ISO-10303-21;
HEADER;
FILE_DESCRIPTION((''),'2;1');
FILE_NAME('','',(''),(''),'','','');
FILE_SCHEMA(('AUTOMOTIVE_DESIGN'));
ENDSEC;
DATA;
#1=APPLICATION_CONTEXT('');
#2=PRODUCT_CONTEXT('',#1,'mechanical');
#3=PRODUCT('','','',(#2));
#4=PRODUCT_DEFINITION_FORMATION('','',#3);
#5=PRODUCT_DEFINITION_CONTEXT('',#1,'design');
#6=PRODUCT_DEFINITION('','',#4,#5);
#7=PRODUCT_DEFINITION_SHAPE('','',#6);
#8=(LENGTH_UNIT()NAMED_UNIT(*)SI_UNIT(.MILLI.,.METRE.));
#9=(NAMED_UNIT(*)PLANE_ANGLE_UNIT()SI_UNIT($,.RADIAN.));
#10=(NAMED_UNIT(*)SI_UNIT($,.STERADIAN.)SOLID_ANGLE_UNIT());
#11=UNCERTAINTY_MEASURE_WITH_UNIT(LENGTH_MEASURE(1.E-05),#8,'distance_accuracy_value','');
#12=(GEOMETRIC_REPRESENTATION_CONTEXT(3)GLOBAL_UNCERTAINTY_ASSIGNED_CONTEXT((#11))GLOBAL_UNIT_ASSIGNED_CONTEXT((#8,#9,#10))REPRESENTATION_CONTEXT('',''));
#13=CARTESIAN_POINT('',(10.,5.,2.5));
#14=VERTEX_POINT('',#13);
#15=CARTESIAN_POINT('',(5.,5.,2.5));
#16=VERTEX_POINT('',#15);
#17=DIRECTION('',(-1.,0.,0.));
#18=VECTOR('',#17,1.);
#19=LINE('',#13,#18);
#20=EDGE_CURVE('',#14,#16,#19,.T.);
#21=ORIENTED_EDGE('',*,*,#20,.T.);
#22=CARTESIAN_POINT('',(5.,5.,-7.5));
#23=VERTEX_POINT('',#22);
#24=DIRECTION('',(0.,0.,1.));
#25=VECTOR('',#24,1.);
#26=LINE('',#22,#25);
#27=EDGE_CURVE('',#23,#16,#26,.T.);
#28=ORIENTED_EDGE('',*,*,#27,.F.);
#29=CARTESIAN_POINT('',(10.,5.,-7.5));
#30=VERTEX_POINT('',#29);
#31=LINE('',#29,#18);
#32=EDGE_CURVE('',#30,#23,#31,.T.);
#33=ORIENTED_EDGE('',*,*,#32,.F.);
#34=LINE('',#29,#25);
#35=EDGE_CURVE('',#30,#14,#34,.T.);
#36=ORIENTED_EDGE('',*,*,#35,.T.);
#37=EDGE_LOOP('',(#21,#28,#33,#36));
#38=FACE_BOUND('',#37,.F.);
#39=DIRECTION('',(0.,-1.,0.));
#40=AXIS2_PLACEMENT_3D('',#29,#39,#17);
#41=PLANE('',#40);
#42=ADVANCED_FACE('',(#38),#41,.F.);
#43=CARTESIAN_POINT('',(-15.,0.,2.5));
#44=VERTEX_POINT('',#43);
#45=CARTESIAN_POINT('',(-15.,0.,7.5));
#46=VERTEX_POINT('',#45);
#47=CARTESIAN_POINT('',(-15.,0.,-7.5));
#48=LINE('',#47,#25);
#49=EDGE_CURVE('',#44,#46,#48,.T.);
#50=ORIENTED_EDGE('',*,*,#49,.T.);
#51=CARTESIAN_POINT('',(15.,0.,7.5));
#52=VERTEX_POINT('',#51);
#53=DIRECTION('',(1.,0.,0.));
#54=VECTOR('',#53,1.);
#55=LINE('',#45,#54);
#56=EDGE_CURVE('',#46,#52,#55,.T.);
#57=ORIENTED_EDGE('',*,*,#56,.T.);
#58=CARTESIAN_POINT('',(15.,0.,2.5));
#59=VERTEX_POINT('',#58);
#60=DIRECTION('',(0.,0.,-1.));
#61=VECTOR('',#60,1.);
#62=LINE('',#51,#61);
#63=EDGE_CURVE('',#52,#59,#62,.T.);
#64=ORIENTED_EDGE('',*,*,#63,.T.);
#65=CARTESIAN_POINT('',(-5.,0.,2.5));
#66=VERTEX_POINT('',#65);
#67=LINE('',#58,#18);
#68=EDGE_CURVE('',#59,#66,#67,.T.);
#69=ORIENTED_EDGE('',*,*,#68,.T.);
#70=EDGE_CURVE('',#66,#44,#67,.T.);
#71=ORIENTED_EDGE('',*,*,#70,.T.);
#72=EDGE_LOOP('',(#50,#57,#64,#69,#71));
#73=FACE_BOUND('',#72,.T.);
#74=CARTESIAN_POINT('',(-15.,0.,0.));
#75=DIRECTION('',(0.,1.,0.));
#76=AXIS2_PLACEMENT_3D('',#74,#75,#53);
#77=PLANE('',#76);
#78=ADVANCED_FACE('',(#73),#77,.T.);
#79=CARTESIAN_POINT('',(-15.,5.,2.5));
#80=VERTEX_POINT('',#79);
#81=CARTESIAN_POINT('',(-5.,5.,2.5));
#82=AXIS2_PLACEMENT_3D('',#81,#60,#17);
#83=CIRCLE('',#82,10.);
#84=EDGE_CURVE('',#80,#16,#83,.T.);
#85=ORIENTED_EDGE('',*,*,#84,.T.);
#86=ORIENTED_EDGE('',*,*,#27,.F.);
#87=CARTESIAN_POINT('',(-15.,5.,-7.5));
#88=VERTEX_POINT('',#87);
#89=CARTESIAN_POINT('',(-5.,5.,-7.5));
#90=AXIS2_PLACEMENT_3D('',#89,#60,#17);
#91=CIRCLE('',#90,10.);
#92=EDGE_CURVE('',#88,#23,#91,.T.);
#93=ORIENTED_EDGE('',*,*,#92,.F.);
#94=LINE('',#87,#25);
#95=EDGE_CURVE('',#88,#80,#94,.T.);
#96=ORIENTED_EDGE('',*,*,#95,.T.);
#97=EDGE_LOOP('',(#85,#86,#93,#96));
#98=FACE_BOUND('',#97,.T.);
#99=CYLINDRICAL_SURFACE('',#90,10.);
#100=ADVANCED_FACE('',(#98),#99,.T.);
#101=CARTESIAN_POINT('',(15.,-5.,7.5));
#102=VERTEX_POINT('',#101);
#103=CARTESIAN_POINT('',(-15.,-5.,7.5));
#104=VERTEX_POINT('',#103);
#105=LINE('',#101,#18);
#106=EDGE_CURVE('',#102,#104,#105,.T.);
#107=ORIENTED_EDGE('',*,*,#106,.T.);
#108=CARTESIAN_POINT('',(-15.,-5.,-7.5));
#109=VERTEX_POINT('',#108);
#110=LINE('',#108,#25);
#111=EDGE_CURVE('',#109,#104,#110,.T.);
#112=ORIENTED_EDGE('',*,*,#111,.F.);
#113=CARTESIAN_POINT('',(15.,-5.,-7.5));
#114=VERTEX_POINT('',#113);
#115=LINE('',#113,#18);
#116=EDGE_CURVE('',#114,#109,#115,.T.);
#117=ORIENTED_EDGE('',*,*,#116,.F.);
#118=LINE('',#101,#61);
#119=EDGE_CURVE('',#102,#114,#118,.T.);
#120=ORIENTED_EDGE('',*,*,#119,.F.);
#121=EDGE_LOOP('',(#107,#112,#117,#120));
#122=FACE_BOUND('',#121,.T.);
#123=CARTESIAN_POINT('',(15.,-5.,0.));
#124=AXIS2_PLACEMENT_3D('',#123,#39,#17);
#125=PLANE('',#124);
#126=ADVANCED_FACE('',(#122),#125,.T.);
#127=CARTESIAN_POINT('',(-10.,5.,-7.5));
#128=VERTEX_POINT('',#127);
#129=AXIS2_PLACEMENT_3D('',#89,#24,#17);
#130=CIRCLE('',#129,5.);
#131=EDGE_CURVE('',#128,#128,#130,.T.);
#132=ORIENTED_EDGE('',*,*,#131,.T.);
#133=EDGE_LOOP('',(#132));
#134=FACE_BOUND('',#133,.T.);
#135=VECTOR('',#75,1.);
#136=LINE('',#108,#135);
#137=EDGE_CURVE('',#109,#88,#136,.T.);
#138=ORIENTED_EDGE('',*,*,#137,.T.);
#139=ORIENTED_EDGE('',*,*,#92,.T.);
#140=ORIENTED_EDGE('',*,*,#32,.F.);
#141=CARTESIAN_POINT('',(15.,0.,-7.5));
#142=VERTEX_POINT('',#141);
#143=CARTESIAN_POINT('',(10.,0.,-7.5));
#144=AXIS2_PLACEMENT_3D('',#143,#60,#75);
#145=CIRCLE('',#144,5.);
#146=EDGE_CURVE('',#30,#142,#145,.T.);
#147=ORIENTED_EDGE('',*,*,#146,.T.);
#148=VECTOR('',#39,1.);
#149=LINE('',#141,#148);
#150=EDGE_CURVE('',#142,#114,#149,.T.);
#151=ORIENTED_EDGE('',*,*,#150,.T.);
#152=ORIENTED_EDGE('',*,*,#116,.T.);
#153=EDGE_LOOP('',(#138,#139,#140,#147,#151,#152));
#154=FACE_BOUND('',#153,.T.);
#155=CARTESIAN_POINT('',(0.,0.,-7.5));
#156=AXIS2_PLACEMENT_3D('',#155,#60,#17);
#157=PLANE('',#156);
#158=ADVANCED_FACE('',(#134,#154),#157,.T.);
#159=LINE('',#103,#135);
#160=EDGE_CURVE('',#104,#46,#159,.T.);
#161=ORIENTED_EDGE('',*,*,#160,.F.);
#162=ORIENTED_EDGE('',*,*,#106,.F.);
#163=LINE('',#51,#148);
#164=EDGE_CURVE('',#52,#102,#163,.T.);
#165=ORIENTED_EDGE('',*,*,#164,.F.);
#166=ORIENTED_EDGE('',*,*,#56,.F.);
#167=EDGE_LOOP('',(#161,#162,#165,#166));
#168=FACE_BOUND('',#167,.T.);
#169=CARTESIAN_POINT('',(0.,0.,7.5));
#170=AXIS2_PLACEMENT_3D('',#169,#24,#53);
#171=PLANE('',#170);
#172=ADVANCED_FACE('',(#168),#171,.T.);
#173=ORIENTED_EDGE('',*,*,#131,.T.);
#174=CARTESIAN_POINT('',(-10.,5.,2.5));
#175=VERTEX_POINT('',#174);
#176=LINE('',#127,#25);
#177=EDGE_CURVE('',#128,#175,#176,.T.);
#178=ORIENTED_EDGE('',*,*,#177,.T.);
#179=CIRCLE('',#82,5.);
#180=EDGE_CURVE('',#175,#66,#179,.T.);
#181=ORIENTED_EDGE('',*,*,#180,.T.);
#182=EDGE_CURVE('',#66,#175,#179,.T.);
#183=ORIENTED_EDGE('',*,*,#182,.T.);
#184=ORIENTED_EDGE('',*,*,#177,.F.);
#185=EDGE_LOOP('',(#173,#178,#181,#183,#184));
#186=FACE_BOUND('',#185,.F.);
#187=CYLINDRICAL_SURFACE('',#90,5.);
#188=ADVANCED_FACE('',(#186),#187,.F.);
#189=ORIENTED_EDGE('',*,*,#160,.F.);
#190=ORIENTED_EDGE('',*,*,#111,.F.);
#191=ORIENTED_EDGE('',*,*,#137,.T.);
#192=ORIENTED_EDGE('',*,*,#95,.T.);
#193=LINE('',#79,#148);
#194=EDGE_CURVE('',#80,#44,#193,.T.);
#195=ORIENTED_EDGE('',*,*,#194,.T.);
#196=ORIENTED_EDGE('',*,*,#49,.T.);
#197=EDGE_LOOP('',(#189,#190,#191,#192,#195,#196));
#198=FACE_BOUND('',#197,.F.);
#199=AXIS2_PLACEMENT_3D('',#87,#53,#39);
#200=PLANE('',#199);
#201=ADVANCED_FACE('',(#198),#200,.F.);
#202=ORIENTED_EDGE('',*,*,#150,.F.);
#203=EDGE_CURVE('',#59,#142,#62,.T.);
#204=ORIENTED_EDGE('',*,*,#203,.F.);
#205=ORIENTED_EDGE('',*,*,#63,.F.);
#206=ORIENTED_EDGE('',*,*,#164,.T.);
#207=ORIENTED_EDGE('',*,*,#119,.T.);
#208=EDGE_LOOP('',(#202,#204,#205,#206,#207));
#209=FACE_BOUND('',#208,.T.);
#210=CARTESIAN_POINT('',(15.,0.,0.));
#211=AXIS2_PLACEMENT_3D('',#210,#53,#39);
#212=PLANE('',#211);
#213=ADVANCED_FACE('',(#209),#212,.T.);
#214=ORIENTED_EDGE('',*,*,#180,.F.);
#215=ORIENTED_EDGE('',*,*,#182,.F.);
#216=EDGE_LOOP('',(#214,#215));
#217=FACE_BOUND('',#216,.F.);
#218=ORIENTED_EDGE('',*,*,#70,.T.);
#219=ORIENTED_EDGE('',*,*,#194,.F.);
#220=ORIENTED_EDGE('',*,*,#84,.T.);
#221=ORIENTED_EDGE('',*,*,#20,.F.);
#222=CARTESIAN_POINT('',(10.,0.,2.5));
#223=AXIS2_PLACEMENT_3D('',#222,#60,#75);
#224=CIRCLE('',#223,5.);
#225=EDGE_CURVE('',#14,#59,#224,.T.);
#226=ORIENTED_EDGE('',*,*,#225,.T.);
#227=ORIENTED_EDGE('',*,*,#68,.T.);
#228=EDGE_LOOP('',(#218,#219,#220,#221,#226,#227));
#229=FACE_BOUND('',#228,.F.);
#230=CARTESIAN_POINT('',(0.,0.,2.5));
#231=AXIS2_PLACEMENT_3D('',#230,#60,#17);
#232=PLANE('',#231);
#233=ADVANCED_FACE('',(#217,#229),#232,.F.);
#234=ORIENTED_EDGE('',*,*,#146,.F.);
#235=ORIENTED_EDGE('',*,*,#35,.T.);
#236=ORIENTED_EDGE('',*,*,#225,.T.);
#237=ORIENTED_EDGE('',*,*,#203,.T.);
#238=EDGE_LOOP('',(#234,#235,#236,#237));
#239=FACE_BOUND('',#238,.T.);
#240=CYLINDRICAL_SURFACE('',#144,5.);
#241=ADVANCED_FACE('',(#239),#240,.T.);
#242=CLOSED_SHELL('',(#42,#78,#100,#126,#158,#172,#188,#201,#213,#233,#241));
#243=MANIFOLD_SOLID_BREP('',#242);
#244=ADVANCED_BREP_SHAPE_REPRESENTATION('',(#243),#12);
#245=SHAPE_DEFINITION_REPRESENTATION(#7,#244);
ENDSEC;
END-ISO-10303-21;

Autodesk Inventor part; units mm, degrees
ref_plane "YZ Plane" through (0, 0, 0) normal (1, 0, 0) x (0, 1, 0)
ref_plane "XZ Plane" through (0, 0, 0) normal (0, 1, 0) x (-1, 0, 0)
ref_plane "XY Plane" through (0, 0, 0) normal (0, 0, 1) x (1, 0, 0)
sketch "草圖1" plane through (0, 0, 0) normal (0, 0, 1) x (1, 0, 0)
  line L0 (-15, 0) -> (15, 0)
  line L1 (15, 0) -> (15, -5)
  line L2 (15, -5) -> (-15, -5)
  line L3 (-15, -5) -> (-15, 0)
  point P0 (0, 0)
  point P1 (0, -5)
  dimension "d0" = 30
  dimension "d1" = 5
extrude "擠出1" add sketch "草圖1" along normal mid plane 15
sketch "草圖2" plane through (0, 0, -7.5) normal (0, 0, -1) x (-1, 0, 0)
  line L0 (-15, 0) -> (15, 0) construction
  line L1 (15, 0) -> (15, -5) construction
  line L2 (15, -5) -> (-15, -5) construction
  line L3 (-15, -5) -> (-15, 0) construction
  line L4 (-15, 0) -> (-15, 0)
  line L5 (-10, 5) -> (-5, 5)
  line L6 (15, 5) -> (15, 0)
  circle A0 centre (5, 5) radius 5
  arc A1 (15, 5) -> (-5, 5) centre (5, 5) ccw
  line L7 (5, 15) -> (-6.6137, 15) construction
  line L8 (-15, 0) -> (15, 0) projected
  arc A2 (-10, 5) -> (-15, 0) centre (-10, 0) ccw
  line L9 (15, 0) -> (-15, 0)
  point P0 (0, 0)
  dimension "d4" = 5
  dimension "d5" = 10
  dimension "d6" = 15
  dimension "d7" = 10
  dimension "d8" = 5
extrude "擠出2" add sketch "草圖2" against normal blind 10
properties part number "4"
